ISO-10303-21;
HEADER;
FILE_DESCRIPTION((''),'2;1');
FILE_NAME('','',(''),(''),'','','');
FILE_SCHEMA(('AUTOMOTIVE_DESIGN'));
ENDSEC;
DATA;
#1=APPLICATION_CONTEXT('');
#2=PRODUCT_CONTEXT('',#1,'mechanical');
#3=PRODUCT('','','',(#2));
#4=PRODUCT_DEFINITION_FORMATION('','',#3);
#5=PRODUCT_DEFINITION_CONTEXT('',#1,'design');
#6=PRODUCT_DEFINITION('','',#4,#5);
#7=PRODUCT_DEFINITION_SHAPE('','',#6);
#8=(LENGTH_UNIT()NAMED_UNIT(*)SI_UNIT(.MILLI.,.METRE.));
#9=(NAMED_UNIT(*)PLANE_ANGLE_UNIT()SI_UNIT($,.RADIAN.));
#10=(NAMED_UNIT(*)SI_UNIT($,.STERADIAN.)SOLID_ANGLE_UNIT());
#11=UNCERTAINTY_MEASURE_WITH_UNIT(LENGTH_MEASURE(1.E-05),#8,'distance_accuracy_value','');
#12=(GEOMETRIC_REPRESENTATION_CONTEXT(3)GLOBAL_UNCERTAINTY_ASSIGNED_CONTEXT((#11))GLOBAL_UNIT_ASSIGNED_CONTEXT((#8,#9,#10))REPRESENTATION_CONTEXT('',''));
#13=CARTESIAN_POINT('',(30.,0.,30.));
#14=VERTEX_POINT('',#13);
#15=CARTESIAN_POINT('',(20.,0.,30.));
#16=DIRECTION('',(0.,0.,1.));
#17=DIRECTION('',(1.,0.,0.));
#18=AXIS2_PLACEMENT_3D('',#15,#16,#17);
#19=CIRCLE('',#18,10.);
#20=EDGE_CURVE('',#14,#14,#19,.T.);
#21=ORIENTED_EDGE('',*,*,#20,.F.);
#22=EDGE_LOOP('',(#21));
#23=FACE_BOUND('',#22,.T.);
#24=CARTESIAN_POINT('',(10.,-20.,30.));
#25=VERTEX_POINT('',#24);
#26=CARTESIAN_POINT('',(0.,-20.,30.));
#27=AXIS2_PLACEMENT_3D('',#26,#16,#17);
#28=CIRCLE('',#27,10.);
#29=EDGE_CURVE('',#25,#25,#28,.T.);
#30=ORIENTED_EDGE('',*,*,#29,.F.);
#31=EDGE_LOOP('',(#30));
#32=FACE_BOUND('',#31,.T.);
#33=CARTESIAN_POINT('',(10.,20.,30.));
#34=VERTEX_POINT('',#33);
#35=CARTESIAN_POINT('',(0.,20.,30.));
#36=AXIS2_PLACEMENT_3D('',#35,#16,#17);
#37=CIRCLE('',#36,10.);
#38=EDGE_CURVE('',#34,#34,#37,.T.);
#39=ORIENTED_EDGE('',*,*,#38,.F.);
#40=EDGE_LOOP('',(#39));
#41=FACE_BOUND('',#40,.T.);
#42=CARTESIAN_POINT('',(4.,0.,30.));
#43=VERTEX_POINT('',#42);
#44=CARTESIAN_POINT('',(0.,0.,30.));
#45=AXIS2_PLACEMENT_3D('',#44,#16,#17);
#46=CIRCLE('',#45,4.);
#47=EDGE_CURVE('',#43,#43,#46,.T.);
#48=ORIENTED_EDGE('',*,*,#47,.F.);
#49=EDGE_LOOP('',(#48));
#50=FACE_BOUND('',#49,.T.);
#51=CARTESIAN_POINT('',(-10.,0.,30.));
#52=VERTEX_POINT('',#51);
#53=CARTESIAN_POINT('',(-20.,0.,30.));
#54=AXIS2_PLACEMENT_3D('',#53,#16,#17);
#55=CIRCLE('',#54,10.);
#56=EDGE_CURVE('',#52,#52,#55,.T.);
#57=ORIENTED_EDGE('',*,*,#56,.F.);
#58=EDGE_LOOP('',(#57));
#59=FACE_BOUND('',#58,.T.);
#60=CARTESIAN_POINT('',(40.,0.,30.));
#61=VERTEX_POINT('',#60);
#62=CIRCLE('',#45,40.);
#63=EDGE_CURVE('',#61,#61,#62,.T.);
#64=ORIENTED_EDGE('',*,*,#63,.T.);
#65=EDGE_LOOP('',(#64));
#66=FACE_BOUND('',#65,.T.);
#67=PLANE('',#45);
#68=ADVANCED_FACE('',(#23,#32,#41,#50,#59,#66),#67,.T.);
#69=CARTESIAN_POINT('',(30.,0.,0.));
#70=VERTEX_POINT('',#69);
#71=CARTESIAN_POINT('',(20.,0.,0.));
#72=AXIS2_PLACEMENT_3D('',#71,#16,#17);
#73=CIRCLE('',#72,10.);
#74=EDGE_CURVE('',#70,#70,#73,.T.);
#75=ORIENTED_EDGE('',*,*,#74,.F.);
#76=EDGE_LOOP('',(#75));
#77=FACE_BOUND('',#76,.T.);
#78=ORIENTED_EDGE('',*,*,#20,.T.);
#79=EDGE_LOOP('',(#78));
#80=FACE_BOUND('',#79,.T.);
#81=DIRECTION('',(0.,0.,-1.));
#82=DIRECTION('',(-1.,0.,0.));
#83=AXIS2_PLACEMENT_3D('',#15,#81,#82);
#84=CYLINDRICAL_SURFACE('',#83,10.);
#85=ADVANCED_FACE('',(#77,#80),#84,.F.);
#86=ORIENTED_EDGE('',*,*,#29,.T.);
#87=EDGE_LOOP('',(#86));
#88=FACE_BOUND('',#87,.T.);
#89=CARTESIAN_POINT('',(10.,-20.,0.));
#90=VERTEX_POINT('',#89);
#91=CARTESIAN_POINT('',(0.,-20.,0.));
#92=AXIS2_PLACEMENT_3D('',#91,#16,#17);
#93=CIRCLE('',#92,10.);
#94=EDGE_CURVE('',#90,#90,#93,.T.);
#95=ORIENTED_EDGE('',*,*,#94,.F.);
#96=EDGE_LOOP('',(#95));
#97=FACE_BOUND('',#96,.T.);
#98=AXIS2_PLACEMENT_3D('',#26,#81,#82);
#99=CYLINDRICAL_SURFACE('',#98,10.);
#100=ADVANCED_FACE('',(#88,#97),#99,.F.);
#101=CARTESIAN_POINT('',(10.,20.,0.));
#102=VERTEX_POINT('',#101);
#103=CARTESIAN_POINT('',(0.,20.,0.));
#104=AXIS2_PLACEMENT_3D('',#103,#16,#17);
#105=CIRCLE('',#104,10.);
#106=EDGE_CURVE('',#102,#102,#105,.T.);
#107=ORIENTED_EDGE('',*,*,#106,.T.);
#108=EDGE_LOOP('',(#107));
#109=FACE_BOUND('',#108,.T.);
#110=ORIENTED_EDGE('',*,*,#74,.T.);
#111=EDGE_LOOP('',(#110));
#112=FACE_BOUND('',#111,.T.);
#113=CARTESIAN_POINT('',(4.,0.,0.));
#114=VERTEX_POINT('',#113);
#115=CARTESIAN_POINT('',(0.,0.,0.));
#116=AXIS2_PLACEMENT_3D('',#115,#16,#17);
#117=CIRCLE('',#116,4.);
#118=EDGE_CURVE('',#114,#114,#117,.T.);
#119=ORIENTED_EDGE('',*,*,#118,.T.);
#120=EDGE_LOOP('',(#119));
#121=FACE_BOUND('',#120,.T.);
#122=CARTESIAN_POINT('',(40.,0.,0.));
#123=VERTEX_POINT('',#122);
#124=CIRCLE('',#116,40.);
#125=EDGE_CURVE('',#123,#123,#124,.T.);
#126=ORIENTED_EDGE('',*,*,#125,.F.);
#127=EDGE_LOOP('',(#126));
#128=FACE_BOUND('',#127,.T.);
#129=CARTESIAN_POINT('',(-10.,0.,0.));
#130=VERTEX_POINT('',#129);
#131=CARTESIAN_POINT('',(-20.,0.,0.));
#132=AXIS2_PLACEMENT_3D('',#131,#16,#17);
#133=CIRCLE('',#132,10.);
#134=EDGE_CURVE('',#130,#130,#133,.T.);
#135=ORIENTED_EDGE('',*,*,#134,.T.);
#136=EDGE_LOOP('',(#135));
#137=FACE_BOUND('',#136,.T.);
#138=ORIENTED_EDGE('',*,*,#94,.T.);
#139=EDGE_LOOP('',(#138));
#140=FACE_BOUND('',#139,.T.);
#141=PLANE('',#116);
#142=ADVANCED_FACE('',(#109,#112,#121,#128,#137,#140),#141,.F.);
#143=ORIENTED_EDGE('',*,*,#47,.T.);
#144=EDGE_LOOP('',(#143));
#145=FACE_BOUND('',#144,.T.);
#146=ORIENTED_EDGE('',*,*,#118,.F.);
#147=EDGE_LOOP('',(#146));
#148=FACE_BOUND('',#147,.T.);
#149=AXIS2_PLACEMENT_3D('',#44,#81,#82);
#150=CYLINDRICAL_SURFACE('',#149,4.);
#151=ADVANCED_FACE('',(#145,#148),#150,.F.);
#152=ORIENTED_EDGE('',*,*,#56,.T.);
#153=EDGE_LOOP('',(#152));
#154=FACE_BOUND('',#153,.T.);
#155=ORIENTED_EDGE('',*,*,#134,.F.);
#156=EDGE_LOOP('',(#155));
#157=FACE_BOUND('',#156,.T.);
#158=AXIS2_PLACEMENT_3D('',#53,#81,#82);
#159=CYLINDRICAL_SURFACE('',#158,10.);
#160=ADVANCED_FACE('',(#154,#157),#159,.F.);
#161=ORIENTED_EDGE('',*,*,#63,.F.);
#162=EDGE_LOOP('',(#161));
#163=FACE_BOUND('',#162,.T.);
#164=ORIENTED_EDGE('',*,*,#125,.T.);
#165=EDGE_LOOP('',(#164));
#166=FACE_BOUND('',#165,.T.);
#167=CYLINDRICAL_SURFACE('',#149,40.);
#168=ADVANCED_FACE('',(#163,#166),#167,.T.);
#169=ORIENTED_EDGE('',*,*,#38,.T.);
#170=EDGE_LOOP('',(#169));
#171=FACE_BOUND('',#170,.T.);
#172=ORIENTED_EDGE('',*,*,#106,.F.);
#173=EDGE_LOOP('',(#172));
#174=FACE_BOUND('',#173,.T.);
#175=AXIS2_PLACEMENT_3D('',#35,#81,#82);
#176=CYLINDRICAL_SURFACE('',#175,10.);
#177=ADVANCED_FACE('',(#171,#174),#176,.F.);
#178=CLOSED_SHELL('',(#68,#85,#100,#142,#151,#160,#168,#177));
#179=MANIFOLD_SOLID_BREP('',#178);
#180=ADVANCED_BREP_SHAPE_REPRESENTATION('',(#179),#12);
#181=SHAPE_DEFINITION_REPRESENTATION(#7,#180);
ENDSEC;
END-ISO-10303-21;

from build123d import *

# Parameters (mm, degrees)
SKETCH1_R           = 40
SKETCH1_R_2         = 4
SKETCH1_R_3         = 10
BOSS_EXTRUDE1_DEPTH = 30


with BuildPart() as part:
    # Sketch1 → Boss-Extrude1 (new body)
    with BuildSketch(Plane.XY):
        Circle(SKETCH1_R)
        Circle(SKETCH1_R_2, mode=Mode.SUBTRACT)
        with Locations((0, 20)):
            Circle(SKETCH1_R_3, mode=Mode.SUBTRACT)
        with Locations((20, 0)):
            Circle(SKETCH1_R_3, mode=Mode.SUBTRACT)
        with Locations((0, -20)):
            Circle(SKETCH1_R_3, mode=Mode.SUBTRACT)
        with Locations((-20, 0)):
            Circle(SKETCH1_R_3, mode=Mode.SUBTRACT)
    extrude(amount=BOSS_EXTRUDE1_DEPTH)


solid = part.part
